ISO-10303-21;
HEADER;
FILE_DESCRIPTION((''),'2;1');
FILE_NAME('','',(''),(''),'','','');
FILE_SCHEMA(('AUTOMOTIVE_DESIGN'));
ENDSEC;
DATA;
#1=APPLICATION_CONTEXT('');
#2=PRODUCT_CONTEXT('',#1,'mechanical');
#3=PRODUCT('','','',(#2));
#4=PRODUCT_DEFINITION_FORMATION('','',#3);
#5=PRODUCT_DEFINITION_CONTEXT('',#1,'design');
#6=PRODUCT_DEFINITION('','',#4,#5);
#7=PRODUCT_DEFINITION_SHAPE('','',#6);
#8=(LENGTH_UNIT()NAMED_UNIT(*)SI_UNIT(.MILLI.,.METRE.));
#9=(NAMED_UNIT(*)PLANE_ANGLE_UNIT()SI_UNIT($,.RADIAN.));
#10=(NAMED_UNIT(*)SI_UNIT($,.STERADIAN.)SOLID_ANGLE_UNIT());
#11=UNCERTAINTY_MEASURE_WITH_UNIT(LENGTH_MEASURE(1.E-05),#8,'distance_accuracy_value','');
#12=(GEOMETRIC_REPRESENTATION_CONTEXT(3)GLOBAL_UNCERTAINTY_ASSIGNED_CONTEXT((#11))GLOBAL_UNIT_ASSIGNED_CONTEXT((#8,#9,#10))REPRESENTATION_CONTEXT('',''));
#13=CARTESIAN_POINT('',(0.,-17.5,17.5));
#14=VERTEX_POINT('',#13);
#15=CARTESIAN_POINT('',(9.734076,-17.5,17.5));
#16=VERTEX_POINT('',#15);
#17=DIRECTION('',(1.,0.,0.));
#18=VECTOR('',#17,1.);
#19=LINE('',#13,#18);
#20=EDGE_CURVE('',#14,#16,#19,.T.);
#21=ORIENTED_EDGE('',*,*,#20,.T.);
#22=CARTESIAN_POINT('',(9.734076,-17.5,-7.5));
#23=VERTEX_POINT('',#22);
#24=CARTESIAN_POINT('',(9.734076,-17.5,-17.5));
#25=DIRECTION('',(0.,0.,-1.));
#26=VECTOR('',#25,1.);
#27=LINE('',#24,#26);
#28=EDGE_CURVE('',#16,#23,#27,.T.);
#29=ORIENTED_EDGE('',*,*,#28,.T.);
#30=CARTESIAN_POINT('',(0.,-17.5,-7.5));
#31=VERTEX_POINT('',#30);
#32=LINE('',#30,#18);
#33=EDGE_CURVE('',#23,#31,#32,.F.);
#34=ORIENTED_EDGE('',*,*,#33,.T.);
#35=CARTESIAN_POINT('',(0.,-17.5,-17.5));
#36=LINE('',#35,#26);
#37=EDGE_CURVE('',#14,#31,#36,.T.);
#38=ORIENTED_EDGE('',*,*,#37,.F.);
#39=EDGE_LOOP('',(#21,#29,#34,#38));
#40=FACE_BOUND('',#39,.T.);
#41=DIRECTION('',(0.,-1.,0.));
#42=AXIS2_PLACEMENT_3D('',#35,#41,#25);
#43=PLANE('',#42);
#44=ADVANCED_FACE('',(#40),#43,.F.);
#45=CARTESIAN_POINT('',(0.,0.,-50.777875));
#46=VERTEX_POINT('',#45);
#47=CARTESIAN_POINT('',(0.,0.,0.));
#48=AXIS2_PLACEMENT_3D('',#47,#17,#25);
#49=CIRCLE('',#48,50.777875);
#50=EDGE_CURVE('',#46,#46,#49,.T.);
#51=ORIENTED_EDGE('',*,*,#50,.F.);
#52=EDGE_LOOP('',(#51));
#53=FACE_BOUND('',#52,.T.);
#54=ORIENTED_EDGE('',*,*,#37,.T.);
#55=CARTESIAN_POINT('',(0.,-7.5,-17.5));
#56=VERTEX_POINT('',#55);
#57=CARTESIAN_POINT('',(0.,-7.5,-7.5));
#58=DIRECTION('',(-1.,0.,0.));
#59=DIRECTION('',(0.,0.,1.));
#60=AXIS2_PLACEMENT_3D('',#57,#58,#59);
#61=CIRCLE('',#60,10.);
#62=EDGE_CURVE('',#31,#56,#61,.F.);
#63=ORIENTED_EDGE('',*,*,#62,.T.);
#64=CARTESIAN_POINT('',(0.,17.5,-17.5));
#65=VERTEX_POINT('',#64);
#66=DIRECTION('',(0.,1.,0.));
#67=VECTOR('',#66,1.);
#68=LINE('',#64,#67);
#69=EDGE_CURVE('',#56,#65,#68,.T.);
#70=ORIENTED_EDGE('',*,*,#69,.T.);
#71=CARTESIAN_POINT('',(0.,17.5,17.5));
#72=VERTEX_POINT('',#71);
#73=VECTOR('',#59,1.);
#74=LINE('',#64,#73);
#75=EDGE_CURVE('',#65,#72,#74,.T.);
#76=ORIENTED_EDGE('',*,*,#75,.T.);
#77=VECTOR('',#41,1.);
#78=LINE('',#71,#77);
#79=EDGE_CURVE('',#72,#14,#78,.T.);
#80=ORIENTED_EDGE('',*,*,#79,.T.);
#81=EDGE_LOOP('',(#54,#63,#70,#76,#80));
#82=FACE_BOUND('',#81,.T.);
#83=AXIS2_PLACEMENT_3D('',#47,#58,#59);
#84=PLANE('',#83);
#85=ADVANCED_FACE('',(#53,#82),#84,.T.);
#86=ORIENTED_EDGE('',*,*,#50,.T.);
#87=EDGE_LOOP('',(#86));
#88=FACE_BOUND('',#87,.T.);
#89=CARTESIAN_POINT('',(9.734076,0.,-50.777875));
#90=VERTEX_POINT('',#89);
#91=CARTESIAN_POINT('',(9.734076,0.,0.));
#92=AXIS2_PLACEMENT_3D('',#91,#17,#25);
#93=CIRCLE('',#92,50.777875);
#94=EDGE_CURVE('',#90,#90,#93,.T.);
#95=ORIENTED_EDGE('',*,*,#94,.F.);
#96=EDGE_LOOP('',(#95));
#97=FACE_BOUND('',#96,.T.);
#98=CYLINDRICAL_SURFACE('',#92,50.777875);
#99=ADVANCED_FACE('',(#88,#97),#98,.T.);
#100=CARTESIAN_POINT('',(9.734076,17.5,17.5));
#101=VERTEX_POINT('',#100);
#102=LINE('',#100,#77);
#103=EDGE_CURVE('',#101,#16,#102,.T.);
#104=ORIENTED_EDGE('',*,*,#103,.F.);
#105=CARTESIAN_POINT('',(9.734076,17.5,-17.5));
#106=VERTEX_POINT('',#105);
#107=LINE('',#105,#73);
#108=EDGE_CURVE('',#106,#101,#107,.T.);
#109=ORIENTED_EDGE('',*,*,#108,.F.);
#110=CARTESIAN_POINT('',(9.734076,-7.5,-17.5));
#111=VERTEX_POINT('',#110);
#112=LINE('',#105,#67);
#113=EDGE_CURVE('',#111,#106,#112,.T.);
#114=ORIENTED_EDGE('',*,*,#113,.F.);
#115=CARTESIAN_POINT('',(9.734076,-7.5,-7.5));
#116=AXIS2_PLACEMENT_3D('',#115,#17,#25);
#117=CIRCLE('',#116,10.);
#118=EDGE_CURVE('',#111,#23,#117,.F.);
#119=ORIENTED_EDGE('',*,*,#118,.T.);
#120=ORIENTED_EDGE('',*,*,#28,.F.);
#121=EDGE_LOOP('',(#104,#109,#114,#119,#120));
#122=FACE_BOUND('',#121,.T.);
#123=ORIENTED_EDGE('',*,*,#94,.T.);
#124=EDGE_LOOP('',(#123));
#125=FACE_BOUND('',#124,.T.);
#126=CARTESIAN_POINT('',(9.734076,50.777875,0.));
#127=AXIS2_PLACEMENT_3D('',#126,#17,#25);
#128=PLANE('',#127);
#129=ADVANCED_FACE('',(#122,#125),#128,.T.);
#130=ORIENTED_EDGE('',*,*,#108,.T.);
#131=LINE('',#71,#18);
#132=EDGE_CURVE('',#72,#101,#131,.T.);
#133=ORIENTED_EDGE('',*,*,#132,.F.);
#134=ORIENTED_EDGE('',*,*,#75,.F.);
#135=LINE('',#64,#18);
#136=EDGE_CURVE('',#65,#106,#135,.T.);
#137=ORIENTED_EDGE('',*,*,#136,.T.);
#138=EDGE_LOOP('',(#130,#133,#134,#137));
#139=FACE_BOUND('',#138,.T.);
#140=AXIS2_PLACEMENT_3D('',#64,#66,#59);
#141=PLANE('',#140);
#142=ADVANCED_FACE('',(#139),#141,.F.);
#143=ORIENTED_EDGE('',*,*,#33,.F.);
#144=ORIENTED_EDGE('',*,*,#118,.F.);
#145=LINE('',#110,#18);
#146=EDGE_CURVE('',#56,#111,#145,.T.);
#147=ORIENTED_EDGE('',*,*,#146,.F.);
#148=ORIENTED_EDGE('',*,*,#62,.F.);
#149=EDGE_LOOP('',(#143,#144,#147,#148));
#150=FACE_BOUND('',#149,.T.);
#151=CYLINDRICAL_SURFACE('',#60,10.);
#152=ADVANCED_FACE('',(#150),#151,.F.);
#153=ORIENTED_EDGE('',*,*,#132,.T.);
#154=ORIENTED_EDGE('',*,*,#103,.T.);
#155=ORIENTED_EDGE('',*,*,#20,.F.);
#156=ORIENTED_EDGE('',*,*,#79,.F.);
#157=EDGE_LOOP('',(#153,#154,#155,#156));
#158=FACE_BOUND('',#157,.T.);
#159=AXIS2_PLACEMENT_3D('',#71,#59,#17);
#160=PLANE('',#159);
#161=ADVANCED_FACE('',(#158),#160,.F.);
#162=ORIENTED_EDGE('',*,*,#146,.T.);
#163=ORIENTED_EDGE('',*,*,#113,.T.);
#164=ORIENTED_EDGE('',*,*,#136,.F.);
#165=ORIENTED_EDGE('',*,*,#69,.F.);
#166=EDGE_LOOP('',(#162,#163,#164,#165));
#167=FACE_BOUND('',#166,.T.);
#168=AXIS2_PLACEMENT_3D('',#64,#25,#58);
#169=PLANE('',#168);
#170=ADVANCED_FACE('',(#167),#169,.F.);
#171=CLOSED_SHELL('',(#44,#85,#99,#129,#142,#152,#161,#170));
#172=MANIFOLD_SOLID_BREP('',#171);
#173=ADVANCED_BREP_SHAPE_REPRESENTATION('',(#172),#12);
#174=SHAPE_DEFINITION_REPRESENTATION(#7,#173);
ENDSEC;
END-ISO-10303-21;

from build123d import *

# Parameters (mm, degrees)
ESQUISSE1_W             = 9.734075662
ESQUISSE1_H             = 50.777874564
ESQUISSE2_W             = 35
ESQUISSE2_H             = 35
ENL_V_MAT_EXTRU_1_DEPTH = 10.734075662
CONG_2_R                = 10


with BuildPart() as part:
    # Esquisse1 → Révolution1 (revolve)
    with BuildSketch(Plane.XY, mode=Mode.PRIVATE) as r_volution1_sk:
        with Locations((4.867037831, 25.388937282)):
            Rectangle(ESQUISSE1_W, ESQUISSE1_H)
    revolve(r_volution1_sk.sketch.rotate(Axis((9.734075662, 0, 0), (-1, 0, 0)), 90), axis=Axis((9.734075662, 0, 0), (-1, 0, 0)))  # turned: the seam where the file's is

    # Esquisse2 → Enlèv. mat.-Extru.1 (cut, through all)
    with BuildSketch(Plane(origin=(9.734075662, 0, 0), x_dir=(0, 0, -1), z_dir=(1, 0, 0))):
        Rectangle(ESQUISSE2_W, ESQUISSE2_H)
    extrude(amount=-ENL_V_MAT_EXTRU_1_DEPTH, mode=Mode.SUBTRACT)

    # Congé2
    cong_2_edges = [part.edges().sort_by_distance(p)[0] for p in [
        (4.867037831, -17.5, -17.5),
    ]]
    fillet(cong_2_edges, radius=CONG_2_R)


solid = part.part
